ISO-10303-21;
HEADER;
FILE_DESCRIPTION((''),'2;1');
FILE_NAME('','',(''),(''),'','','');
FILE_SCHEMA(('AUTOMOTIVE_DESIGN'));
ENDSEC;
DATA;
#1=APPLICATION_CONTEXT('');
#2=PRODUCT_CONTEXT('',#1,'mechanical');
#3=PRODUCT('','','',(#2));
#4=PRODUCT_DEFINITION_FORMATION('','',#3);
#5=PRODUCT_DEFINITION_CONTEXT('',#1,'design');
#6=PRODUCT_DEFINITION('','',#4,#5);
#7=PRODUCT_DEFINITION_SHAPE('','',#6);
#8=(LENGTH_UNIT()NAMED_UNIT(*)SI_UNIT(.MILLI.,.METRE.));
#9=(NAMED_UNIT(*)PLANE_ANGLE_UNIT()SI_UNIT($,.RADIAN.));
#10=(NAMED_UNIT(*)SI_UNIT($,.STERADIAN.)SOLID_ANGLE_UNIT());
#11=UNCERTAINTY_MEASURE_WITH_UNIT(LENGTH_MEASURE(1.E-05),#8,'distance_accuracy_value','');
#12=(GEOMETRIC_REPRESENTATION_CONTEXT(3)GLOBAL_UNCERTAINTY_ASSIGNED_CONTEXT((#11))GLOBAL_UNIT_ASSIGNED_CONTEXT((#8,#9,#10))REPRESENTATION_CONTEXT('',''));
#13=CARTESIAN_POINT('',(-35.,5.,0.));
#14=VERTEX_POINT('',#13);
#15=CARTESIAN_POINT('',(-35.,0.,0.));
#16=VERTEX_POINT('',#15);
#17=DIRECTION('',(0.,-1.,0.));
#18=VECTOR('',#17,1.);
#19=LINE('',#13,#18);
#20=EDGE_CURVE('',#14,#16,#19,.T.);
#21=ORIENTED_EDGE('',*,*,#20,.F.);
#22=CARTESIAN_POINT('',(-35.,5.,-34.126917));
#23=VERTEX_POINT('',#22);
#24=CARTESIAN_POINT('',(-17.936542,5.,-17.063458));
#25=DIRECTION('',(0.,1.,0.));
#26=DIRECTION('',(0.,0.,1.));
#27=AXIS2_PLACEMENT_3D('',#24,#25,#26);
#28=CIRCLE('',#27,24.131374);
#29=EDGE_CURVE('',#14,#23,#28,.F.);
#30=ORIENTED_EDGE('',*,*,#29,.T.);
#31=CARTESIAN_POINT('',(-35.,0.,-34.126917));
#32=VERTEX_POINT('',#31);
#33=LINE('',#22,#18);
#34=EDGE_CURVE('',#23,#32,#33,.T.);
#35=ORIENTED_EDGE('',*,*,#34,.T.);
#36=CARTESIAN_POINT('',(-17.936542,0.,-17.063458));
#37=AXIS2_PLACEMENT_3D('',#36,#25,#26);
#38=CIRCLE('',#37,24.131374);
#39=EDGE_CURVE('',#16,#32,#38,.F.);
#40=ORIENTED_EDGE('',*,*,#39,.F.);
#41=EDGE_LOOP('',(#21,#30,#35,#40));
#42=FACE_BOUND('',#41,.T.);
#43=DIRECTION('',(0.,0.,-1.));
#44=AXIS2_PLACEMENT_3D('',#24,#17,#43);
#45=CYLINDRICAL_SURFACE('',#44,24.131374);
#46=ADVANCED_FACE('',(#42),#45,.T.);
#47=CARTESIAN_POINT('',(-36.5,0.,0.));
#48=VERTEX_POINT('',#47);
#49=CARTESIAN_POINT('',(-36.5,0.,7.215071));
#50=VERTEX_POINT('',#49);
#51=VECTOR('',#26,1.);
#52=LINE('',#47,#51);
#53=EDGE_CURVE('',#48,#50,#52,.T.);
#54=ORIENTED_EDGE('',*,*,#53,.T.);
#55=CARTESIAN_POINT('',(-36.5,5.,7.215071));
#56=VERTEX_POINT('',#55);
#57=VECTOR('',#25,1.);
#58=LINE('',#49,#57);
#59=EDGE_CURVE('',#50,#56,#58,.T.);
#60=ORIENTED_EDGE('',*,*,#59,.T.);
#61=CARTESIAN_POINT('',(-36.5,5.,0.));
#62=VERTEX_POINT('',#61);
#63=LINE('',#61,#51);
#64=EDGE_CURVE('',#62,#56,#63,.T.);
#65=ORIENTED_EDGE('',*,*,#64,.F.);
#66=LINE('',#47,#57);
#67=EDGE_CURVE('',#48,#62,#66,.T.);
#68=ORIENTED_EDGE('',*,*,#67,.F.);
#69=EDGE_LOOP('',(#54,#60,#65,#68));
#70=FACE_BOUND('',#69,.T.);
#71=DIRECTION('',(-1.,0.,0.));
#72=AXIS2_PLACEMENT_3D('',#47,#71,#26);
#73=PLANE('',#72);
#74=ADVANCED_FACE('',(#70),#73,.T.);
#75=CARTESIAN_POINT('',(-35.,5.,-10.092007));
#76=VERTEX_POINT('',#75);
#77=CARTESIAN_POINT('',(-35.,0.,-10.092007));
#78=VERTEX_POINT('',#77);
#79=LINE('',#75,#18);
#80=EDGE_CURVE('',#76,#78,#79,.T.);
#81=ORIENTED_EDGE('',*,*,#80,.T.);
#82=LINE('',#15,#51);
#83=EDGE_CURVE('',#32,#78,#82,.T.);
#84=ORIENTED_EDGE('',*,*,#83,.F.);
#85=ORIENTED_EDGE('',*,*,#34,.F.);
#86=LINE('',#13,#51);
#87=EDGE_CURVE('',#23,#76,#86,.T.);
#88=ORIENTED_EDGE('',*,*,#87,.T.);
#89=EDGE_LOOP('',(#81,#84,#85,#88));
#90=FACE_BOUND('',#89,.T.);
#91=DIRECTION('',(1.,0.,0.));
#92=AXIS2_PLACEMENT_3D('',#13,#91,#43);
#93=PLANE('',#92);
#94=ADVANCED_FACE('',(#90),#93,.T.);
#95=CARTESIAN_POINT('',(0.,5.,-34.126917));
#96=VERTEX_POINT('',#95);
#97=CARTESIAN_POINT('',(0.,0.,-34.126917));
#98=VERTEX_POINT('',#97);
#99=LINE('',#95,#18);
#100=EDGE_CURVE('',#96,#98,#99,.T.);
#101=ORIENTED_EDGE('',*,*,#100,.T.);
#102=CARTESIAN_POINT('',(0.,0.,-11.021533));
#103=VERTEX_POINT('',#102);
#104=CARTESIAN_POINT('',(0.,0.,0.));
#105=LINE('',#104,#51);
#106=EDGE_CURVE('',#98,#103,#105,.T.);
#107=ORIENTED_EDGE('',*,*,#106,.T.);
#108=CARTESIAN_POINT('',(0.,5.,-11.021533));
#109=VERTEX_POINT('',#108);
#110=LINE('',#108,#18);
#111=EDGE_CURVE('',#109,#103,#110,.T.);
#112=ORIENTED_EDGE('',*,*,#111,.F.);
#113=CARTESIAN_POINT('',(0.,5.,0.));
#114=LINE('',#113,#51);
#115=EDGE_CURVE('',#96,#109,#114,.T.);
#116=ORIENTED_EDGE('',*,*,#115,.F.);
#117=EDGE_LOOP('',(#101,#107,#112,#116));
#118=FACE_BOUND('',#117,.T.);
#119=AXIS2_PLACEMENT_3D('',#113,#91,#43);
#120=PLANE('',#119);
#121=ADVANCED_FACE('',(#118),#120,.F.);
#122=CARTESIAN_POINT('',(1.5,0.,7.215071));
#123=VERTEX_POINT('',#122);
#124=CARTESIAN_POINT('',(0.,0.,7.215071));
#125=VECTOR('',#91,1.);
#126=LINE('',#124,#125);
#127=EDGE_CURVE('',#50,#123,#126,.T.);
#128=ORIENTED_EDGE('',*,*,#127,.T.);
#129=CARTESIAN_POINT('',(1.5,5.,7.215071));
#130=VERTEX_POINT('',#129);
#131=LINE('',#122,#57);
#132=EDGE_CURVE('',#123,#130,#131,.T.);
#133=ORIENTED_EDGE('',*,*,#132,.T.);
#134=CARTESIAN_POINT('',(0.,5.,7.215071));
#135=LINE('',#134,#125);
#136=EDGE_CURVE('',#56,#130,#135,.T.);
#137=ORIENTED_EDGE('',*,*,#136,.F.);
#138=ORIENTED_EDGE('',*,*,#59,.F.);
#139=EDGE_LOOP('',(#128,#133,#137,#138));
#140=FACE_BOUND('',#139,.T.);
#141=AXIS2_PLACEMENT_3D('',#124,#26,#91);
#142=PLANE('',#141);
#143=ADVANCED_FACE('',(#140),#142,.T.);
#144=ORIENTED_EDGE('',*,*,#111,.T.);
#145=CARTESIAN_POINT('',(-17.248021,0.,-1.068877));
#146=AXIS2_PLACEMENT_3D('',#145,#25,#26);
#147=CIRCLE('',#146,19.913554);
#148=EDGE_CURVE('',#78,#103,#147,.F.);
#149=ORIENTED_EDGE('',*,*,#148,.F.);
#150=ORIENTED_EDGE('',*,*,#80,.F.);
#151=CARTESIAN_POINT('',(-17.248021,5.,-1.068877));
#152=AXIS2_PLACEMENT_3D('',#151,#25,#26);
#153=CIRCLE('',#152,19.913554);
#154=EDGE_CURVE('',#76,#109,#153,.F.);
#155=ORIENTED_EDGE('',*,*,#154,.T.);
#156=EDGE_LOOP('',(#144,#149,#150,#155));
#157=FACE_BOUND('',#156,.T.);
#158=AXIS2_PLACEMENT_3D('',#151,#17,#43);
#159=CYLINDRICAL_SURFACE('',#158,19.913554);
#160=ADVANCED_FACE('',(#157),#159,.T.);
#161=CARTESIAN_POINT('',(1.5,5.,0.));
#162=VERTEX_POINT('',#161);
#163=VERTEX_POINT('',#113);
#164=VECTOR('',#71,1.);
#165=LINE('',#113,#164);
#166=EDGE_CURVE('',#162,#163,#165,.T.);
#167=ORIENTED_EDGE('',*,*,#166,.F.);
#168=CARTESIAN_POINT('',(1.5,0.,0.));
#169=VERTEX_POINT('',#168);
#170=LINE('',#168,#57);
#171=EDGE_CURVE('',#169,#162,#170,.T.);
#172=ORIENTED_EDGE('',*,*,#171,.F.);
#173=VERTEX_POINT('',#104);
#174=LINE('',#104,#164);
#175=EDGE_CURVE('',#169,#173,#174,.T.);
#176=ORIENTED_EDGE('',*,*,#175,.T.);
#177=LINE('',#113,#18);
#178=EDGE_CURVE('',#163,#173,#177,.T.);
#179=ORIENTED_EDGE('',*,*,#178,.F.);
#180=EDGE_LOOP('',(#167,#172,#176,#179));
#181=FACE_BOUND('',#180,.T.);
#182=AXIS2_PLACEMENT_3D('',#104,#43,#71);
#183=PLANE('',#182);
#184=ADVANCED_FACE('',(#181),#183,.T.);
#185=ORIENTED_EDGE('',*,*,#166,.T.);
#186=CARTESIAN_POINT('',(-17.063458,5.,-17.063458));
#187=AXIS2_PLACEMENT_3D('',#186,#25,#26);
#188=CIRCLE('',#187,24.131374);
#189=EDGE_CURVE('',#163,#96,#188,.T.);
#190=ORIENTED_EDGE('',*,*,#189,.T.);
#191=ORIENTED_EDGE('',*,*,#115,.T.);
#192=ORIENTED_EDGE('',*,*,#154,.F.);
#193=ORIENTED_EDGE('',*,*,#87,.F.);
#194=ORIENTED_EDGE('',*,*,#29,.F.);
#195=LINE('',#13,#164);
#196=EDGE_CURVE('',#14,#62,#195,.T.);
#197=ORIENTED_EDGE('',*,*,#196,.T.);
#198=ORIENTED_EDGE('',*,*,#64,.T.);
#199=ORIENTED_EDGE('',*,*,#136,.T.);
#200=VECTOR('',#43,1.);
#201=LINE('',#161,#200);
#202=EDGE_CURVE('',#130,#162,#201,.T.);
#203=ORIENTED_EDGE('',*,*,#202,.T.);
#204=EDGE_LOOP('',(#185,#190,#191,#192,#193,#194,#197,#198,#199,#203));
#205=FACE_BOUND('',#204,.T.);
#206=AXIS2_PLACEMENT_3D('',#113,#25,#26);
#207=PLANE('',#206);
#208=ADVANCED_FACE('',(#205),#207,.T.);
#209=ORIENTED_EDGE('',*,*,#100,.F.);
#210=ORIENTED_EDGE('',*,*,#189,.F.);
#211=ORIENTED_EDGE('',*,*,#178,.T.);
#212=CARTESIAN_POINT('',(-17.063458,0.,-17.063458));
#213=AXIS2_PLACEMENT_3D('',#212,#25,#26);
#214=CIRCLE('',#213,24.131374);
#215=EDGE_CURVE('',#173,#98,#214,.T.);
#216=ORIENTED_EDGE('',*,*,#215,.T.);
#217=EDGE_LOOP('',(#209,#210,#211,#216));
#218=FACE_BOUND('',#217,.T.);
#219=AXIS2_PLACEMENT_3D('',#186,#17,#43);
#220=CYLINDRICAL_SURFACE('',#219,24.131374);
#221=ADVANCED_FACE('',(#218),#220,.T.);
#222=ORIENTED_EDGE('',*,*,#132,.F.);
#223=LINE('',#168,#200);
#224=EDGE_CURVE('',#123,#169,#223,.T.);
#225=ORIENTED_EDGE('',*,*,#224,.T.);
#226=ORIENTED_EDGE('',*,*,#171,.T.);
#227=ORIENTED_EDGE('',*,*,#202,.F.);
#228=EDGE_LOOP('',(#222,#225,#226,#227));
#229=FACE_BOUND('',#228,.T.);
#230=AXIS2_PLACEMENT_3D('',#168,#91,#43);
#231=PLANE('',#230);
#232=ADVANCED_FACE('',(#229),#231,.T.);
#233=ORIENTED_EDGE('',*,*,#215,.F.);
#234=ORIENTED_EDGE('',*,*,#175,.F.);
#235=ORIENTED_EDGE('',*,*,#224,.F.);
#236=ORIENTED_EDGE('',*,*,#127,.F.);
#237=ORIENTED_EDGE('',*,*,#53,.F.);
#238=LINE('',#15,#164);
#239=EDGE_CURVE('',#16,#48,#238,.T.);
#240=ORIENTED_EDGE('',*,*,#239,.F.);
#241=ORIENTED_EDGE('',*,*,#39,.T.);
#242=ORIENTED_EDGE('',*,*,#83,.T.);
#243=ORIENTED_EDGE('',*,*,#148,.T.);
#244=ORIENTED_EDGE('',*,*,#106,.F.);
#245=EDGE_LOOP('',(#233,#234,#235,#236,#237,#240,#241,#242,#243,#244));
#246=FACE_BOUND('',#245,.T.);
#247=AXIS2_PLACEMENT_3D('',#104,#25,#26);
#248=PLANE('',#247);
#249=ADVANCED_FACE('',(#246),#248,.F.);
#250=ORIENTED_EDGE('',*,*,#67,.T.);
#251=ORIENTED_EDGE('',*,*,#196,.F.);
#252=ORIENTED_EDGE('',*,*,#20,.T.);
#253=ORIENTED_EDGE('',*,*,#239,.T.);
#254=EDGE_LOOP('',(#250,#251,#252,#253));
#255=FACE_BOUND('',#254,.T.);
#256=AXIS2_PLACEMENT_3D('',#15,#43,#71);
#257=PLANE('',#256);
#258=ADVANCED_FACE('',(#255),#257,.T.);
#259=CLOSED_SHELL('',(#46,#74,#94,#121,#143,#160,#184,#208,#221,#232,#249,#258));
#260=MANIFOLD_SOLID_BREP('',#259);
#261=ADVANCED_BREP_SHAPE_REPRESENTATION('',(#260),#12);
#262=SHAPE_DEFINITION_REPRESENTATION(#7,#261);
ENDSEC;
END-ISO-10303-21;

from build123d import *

# Parameters (mm, degrees)
BOSS_EXTRUDE2_DEPTH = 5
BOSS_EXTRUDE3_START = -5
BOSS_EXTRUDE3_DEPTH = 5
SKETCH5_W           = 1.5
SKETCH5_H           = 7.215071269
BOSS_EXTRUDE4_DEPTH = 5


with BuildPart() as part:
    # Sketch1 → Boss-Extrude2 (new body)
    with BuildSketch(Plane(origin=(0, 0, 0), x_dir=(1, 0, 0), z_dir=(0, 1, 0))):
        with BuildLine():
            Line((-35, 10.092006525), (-35, 34.126916803))
            ThreePointArc((-35, 34.126916803), (-42.067915891, 17.063458401), (-35, 0))
            ThreePointArc((-35, 0), (-17.5, -2.732905818), (0, 0))
            ThreePointArc((0, 0), (7.067915891, 17.063458401), (0, 34.126916803))
            Line((0, 34.126916803), (0, 11.021533442))
            ThreePointArc((0, 11.021533442), (-17.776697358, 20.975411278), (-35, 10.092006525))
        make_face()
    extrude(amount=BOSS_EXTRUDE2_DEPTH)

    # Sketch4 → Boss-Extrude3 (add)
    with BuildSketch(Plane(origin=(0, 5, 0), x_dir=(1, 0, 0), z_dir=(0, 1, 0)).offset(BOSS_EXTRUDE3_START)):
        with BuildLine():
            Line((0, 0), (0, -7.215071269))
            Line((0, -7.215071269), (-35, -7.215071269))
            Line((-35, -7.215071269), (-35, 0))
            ThreePointArc((-35, 0), (-42.067915891, 17.063458401), (-35, 34.126916803))
            Line((-35, 34.126916803), (-35, 10.092006525))
            ThreePointArc((-35, 10.092006525), (-17.776697358, 20.975411278), (0, 11.021533442))
            Line((0, 11.021533442), (0, 34.126916803))
            ThreePointArc((0, 34.126916803), (7.067915891, 17.063458401), (0, 0))
        make_face()
    extrude(amount=BOSS_EXTRUDE3_DEPTH)

    # Sketch5 → Boss-Extrude4 (add)
    with BuildSketch(Plane(origin=(0, 5, 0), x_dir=(1, 0, 0), z_dir=(0, 1, 0))):
        with Locations((-35.75, -3.607535635)):
            Rectangle(SKETCH5_W, SKETCH5_H)
        with Locations((0.75, -3.607535635)):
            Rectangle(SKETCH5_W, SKETCH5_H)
    extrude(amount=-BOSS_EXTRUDE4_DEPTH)


solid = part.part
